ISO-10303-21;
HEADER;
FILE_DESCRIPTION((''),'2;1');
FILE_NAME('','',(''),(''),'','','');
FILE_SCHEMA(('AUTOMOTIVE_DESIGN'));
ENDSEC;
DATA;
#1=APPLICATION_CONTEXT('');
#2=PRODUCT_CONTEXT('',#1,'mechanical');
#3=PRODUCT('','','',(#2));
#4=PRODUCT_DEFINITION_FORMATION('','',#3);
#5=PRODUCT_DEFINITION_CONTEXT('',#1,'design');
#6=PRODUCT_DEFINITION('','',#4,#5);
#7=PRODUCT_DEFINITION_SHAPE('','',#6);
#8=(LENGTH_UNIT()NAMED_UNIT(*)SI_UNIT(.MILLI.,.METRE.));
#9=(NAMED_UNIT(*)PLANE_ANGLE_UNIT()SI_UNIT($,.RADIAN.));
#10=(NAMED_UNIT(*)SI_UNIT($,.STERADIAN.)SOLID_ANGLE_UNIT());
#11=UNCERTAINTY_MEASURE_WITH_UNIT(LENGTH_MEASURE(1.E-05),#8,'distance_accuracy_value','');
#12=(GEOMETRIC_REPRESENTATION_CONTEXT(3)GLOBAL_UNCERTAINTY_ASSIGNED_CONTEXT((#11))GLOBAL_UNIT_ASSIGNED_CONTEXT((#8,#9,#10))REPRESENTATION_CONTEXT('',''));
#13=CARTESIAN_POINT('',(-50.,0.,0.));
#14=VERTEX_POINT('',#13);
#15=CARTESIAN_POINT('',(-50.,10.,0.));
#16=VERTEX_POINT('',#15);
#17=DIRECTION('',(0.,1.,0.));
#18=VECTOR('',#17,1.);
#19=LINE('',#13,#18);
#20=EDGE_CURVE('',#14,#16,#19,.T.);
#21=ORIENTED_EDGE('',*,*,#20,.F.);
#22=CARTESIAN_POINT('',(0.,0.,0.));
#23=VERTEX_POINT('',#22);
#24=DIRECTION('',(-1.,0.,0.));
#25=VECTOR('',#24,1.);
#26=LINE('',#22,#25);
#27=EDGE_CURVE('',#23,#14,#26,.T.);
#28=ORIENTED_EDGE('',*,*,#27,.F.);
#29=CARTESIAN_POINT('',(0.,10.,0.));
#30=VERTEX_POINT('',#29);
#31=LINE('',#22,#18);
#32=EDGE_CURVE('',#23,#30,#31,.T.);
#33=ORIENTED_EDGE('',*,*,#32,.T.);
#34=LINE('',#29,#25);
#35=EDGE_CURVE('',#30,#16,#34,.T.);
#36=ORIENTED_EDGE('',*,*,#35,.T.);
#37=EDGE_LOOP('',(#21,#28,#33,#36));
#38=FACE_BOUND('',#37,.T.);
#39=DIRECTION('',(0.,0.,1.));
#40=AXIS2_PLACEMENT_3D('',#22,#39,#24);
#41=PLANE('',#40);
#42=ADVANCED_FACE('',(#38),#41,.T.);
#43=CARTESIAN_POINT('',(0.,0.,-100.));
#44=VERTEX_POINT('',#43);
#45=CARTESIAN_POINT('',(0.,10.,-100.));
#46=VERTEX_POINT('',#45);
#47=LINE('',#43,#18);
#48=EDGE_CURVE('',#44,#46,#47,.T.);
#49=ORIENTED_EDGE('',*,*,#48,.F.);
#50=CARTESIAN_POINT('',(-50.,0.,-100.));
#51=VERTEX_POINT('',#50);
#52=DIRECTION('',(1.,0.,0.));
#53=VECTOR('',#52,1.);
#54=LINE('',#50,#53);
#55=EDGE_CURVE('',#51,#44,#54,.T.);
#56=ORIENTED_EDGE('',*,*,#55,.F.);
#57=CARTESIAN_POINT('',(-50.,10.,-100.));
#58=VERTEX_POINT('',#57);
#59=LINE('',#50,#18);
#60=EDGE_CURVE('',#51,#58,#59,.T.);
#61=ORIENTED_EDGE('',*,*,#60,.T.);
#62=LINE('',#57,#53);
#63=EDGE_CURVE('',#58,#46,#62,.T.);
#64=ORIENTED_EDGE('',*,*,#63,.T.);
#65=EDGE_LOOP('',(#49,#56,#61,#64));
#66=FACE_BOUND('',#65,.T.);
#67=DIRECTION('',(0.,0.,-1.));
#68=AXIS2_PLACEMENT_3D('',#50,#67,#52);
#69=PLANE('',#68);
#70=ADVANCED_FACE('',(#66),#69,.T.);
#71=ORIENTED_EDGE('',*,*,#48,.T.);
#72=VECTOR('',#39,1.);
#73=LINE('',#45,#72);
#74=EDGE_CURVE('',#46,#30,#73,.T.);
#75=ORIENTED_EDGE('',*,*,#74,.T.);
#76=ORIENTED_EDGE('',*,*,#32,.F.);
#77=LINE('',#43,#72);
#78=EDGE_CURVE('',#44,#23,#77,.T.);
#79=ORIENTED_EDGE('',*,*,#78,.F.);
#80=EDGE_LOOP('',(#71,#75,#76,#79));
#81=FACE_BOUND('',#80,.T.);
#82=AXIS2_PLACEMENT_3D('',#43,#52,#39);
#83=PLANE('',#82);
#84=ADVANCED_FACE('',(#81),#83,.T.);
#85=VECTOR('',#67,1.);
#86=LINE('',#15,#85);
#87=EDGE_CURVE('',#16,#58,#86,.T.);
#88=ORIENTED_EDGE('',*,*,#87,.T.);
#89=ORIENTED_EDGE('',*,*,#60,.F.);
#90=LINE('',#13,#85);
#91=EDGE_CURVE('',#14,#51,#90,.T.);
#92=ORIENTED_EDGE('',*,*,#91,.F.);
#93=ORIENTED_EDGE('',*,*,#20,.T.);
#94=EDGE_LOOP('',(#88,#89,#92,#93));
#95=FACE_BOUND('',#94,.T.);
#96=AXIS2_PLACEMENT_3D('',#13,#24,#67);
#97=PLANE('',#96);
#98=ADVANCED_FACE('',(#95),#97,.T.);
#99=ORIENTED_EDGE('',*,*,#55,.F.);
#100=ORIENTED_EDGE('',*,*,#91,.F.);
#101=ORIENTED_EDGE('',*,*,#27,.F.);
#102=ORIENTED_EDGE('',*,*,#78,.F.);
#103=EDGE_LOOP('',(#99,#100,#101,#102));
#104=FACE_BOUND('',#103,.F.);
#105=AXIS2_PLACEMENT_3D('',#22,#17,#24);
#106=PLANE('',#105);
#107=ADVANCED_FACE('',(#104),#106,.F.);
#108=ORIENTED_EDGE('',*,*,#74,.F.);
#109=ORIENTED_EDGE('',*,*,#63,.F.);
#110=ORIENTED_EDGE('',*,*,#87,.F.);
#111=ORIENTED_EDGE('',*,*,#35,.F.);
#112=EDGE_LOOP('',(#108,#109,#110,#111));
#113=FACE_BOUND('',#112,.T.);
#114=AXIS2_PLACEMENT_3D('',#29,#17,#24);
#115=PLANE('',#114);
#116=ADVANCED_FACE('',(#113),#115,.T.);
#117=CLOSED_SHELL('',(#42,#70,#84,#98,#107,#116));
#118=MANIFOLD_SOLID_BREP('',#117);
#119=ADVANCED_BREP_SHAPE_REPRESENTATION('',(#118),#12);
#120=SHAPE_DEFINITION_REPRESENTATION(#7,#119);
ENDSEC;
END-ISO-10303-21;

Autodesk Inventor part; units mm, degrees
ref_plane "YZ Plane" through (0, 0, 0) normal (1, 0, 0) x (0, 1, 0)
ref_plane "XZ Plane" through (0, 0, 0) normal (0, 1, 0) x (-1, 0, 0)
ref_plane "XY Plane" through (0, 0, 0) normal (0, 0, 1) x (1, 0, 0)
sketch "Sketch1" plane through (0, 0, 0) normal (0, 1, 0) x (-1, 0, 0)
  line L0 (0, 0) -> (50, 0)
  line L1 (50, 0) -> (50, -100)
  line L2 (50, -100) -> (0, -100)
  line L3 (0, -100) -> (0, 0)
  dimension "d0" = 50
  dimension "d1" = 100
extrude "Extrusion1" add sketch "Sketch1" along normal blind 10
properties part number "Electronics"
